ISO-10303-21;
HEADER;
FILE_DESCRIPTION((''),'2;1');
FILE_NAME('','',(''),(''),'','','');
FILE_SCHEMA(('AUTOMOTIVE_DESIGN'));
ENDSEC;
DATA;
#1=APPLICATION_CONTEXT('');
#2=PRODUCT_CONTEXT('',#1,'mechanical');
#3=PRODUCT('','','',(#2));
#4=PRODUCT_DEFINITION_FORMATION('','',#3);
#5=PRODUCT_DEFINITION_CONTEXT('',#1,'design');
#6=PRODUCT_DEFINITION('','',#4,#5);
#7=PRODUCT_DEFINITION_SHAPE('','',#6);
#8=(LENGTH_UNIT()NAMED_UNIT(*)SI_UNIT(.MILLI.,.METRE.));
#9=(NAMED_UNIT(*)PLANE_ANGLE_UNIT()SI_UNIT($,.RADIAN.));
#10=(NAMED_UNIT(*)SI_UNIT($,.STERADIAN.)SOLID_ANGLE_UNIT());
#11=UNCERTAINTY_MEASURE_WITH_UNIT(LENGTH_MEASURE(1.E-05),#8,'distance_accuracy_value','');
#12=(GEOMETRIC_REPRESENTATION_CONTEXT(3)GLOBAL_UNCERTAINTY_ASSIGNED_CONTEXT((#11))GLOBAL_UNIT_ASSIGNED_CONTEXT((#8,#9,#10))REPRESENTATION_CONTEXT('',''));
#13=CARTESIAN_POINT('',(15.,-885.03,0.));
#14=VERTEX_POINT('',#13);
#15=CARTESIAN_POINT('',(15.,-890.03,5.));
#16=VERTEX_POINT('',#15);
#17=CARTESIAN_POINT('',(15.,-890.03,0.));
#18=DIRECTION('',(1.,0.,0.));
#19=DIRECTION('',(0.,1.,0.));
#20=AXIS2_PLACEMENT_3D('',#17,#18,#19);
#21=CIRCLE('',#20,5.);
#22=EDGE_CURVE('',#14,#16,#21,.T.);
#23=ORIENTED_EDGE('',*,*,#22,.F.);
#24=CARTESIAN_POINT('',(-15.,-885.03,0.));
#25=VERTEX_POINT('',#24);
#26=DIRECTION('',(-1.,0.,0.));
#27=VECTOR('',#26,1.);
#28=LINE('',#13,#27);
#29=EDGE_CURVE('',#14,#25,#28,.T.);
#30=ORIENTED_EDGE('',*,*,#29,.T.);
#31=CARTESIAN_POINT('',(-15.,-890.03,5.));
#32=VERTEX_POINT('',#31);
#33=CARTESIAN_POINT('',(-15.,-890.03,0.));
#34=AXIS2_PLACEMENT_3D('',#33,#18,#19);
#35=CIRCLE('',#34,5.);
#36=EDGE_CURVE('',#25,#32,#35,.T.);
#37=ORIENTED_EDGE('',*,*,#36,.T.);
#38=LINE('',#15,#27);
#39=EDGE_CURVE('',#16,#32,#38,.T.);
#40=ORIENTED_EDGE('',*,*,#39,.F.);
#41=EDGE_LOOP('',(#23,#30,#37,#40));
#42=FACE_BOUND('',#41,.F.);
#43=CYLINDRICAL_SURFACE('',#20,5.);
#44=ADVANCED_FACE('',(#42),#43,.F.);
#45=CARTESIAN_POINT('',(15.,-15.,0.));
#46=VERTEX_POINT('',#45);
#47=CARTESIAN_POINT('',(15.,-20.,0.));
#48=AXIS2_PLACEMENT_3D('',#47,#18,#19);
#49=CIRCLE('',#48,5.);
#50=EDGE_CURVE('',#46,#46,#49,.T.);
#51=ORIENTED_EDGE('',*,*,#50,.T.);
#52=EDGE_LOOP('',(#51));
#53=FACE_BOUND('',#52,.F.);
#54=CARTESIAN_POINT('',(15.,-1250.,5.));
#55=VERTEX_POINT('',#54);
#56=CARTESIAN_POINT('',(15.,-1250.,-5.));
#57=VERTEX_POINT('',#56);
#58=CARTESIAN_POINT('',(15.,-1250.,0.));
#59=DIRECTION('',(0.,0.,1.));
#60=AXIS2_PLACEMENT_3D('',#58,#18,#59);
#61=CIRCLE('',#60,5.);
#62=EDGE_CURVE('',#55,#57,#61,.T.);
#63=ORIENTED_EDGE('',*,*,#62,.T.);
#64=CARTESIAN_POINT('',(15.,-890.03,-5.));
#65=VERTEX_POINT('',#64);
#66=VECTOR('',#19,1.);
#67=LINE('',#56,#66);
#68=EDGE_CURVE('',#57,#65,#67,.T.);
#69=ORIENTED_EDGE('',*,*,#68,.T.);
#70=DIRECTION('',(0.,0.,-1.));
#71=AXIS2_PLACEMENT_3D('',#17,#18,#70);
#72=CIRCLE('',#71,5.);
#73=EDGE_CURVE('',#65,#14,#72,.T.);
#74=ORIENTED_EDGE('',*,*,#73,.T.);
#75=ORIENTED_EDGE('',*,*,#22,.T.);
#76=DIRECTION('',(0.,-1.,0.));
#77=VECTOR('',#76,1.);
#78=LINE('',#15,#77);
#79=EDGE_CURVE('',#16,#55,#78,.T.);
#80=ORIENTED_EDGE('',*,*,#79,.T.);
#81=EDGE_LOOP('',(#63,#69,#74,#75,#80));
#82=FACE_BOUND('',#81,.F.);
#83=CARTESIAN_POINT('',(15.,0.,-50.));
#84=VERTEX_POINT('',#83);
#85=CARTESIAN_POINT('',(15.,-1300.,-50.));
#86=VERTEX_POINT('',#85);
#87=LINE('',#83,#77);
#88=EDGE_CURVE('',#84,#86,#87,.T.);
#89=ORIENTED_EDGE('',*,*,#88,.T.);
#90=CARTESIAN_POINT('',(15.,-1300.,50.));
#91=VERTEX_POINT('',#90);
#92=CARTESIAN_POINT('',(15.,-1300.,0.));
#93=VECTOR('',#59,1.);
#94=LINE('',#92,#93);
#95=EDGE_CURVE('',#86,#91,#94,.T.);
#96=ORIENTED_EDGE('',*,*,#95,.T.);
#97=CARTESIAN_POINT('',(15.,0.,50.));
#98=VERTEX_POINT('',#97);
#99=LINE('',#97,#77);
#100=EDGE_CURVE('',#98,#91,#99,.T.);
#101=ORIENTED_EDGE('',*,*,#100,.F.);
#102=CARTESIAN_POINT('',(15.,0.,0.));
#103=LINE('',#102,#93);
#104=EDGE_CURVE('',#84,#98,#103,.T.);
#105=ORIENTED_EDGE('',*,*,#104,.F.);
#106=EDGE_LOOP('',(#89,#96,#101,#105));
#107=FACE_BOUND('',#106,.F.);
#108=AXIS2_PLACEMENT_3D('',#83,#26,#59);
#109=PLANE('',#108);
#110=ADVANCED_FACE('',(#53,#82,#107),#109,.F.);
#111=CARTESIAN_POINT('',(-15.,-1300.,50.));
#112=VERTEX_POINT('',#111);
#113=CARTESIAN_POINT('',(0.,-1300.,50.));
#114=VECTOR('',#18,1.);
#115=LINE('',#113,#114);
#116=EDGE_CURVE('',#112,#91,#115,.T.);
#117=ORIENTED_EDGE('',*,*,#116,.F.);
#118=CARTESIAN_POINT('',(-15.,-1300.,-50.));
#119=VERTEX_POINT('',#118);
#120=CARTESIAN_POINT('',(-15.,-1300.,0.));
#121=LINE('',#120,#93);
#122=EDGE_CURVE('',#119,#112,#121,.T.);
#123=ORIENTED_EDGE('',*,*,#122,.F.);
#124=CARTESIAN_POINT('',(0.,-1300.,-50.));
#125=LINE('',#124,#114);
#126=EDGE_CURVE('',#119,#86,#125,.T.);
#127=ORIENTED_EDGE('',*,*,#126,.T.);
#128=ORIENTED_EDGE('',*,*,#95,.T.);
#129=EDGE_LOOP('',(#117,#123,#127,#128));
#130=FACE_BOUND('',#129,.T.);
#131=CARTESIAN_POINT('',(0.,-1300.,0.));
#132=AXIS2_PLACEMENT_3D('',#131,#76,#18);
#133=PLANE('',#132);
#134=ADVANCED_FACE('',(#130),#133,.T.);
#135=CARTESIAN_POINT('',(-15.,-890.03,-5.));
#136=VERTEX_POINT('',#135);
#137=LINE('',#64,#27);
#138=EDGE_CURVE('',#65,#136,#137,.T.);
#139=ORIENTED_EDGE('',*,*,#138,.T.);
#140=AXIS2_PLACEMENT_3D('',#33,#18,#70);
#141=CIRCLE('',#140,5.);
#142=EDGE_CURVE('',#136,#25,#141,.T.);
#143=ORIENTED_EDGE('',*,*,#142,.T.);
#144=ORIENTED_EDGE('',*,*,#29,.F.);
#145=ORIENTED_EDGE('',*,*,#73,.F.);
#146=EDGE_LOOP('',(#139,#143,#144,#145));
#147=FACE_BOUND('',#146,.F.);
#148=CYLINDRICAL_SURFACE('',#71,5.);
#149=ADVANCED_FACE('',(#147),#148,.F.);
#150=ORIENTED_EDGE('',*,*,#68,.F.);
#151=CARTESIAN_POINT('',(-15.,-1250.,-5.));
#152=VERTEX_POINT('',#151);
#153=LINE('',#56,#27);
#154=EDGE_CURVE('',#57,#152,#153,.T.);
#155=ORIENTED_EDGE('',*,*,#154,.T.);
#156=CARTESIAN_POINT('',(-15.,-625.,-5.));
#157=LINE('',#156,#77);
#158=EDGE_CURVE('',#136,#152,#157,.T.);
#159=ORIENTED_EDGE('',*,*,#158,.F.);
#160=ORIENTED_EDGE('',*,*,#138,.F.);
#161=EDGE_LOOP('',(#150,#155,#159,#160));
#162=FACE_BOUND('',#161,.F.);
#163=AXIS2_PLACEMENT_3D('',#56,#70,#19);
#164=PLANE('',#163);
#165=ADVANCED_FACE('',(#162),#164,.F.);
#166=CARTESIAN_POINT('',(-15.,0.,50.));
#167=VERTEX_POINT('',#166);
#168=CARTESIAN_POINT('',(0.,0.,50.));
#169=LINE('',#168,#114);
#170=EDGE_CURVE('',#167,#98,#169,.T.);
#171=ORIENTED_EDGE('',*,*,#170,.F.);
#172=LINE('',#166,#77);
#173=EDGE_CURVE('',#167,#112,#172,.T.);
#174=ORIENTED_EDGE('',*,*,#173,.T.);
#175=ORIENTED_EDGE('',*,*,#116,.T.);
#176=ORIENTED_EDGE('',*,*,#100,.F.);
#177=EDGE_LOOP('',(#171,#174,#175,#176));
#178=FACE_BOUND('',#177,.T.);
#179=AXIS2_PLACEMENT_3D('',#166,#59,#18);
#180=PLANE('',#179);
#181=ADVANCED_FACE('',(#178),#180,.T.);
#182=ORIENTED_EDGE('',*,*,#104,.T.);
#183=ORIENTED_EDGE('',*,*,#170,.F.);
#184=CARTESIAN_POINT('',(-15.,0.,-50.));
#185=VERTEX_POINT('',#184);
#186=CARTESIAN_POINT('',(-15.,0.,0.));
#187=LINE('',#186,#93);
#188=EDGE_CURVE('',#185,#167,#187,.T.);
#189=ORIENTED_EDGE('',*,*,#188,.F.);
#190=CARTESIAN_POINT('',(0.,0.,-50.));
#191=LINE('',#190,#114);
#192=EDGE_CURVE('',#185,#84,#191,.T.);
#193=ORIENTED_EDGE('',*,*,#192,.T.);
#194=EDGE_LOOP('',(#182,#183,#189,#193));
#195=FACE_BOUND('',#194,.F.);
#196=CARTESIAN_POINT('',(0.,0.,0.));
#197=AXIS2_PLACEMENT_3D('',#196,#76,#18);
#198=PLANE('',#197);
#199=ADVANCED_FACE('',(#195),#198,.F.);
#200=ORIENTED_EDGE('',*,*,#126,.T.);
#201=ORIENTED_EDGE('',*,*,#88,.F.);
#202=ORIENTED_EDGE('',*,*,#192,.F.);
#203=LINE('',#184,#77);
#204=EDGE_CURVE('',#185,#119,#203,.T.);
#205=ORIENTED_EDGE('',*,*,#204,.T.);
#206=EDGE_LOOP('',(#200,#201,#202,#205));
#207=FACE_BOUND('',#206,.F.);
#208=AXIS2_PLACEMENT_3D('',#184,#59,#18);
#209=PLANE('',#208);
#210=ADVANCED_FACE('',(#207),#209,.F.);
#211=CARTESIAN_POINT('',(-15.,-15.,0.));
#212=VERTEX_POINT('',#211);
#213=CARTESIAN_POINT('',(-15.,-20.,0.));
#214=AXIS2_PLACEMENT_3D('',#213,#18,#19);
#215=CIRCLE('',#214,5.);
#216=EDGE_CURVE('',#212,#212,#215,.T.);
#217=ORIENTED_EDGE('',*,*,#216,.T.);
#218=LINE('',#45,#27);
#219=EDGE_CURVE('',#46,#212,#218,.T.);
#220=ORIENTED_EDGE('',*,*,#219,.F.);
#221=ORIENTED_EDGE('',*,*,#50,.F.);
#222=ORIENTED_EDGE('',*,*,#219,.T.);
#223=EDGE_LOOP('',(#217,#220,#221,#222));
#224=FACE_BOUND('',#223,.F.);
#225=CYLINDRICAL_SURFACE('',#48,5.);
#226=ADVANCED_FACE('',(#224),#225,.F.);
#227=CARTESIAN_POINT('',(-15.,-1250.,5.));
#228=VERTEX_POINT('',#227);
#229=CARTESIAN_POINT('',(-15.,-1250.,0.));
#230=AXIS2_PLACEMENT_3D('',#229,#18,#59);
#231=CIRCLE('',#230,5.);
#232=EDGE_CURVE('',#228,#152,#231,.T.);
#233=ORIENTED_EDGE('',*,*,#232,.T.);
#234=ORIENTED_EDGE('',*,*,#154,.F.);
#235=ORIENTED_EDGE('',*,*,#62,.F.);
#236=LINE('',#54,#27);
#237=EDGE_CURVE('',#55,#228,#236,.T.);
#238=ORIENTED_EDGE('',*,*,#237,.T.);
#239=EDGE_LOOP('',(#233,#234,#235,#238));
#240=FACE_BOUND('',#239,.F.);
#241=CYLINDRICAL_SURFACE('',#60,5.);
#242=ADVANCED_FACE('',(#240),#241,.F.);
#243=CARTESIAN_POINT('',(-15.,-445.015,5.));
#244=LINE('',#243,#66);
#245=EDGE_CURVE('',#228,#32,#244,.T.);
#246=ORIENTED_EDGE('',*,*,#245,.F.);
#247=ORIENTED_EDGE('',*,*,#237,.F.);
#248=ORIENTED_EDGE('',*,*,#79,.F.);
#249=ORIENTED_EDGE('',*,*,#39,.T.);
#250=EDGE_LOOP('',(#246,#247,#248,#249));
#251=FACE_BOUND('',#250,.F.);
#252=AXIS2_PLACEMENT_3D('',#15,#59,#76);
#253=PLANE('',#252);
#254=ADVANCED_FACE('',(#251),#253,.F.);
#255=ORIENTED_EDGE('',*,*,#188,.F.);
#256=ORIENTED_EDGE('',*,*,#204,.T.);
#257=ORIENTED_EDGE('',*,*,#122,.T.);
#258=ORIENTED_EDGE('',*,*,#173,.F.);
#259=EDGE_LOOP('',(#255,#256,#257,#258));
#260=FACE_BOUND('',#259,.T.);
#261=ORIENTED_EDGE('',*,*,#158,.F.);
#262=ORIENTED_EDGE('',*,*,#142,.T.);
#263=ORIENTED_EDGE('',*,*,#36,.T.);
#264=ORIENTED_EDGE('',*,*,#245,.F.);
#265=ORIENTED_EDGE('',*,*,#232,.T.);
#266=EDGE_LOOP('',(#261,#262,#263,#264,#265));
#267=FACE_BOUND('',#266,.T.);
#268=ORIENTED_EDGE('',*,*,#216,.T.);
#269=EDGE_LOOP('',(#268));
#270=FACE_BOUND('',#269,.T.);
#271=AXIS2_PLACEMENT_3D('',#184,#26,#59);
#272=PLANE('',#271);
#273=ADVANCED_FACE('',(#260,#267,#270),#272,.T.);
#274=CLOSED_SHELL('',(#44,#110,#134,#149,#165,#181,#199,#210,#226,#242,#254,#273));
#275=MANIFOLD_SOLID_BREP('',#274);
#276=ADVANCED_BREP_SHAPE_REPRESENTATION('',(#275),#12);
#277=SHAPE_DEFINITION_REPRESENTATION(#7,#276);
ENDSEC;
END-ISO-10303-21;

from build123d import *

# Parameters (mm, degrees)
F0_W     = 30
F0_H     = 100
F1_DEPTH = 1300
F2_R     = 5
F3_DEPTH = 30.001


with BuildPart() as f1:
    # F0 (on Front) → F1 (new body)
    with BuildSketch(Plane.XZ):
        Rectangle(F0_W, F0_H)
    extrude(amount=F1_DEPTH)

    # F2 (on face) → F3 (cut, through all)
    with BuildSketch(Plane.YZ.offset(15)):
        with Locations((-20, 0)):
            Circle(F2_R)
        with BuildLine():
            ThreePointArc((-1250, -5), (-1246.4644660941, -3.5355339059), (-1245, 0))
            ThreePointArc((-1245, 0), (-1246.4644660941, 3.5355339059), (-1250, 5))
            Line((-1250, 5), (-1250, -5))
        make_face()
        with BuildLine():
            ThreePointArc((-1250, 5), (-1246.4644660941, 3.5355339059), (-1245, 0))
            ThreePointArc((-1245, 0), (-1246.4644660941, -3.5355339059), (-1250, -5))
            Line((-1250, -5), (-890.03, -5))
            ThreePointArc((-890.03, -5), (-895.03, 0), (-890.03, 5))
            Line((-890.03, 5), (-1250, 5))
        make_face()
        with BuildLine():
            Line((-1250, -5), (-1250, 5))
            ThreePointArc((-1250, 5), (-1255, 0), (-1250, -5))
        make_face()
        with BuildLine():
            ThreePointArc((-885.03, 0), (-886.4944660941, 3.5355339059), (-890.03, 5))
            ThreePointArc((-890.03, 5), (-895.03, 0), (-890.03, -5))
            ThreePointArc((-890.03, -5), (-886.4944660941, -3.5355339059), (-885.03, 0))
        make_face()
    extrude(amount=-F3_DEPTH, mode=Mode.SUBTRACT)


solid = f1.part
